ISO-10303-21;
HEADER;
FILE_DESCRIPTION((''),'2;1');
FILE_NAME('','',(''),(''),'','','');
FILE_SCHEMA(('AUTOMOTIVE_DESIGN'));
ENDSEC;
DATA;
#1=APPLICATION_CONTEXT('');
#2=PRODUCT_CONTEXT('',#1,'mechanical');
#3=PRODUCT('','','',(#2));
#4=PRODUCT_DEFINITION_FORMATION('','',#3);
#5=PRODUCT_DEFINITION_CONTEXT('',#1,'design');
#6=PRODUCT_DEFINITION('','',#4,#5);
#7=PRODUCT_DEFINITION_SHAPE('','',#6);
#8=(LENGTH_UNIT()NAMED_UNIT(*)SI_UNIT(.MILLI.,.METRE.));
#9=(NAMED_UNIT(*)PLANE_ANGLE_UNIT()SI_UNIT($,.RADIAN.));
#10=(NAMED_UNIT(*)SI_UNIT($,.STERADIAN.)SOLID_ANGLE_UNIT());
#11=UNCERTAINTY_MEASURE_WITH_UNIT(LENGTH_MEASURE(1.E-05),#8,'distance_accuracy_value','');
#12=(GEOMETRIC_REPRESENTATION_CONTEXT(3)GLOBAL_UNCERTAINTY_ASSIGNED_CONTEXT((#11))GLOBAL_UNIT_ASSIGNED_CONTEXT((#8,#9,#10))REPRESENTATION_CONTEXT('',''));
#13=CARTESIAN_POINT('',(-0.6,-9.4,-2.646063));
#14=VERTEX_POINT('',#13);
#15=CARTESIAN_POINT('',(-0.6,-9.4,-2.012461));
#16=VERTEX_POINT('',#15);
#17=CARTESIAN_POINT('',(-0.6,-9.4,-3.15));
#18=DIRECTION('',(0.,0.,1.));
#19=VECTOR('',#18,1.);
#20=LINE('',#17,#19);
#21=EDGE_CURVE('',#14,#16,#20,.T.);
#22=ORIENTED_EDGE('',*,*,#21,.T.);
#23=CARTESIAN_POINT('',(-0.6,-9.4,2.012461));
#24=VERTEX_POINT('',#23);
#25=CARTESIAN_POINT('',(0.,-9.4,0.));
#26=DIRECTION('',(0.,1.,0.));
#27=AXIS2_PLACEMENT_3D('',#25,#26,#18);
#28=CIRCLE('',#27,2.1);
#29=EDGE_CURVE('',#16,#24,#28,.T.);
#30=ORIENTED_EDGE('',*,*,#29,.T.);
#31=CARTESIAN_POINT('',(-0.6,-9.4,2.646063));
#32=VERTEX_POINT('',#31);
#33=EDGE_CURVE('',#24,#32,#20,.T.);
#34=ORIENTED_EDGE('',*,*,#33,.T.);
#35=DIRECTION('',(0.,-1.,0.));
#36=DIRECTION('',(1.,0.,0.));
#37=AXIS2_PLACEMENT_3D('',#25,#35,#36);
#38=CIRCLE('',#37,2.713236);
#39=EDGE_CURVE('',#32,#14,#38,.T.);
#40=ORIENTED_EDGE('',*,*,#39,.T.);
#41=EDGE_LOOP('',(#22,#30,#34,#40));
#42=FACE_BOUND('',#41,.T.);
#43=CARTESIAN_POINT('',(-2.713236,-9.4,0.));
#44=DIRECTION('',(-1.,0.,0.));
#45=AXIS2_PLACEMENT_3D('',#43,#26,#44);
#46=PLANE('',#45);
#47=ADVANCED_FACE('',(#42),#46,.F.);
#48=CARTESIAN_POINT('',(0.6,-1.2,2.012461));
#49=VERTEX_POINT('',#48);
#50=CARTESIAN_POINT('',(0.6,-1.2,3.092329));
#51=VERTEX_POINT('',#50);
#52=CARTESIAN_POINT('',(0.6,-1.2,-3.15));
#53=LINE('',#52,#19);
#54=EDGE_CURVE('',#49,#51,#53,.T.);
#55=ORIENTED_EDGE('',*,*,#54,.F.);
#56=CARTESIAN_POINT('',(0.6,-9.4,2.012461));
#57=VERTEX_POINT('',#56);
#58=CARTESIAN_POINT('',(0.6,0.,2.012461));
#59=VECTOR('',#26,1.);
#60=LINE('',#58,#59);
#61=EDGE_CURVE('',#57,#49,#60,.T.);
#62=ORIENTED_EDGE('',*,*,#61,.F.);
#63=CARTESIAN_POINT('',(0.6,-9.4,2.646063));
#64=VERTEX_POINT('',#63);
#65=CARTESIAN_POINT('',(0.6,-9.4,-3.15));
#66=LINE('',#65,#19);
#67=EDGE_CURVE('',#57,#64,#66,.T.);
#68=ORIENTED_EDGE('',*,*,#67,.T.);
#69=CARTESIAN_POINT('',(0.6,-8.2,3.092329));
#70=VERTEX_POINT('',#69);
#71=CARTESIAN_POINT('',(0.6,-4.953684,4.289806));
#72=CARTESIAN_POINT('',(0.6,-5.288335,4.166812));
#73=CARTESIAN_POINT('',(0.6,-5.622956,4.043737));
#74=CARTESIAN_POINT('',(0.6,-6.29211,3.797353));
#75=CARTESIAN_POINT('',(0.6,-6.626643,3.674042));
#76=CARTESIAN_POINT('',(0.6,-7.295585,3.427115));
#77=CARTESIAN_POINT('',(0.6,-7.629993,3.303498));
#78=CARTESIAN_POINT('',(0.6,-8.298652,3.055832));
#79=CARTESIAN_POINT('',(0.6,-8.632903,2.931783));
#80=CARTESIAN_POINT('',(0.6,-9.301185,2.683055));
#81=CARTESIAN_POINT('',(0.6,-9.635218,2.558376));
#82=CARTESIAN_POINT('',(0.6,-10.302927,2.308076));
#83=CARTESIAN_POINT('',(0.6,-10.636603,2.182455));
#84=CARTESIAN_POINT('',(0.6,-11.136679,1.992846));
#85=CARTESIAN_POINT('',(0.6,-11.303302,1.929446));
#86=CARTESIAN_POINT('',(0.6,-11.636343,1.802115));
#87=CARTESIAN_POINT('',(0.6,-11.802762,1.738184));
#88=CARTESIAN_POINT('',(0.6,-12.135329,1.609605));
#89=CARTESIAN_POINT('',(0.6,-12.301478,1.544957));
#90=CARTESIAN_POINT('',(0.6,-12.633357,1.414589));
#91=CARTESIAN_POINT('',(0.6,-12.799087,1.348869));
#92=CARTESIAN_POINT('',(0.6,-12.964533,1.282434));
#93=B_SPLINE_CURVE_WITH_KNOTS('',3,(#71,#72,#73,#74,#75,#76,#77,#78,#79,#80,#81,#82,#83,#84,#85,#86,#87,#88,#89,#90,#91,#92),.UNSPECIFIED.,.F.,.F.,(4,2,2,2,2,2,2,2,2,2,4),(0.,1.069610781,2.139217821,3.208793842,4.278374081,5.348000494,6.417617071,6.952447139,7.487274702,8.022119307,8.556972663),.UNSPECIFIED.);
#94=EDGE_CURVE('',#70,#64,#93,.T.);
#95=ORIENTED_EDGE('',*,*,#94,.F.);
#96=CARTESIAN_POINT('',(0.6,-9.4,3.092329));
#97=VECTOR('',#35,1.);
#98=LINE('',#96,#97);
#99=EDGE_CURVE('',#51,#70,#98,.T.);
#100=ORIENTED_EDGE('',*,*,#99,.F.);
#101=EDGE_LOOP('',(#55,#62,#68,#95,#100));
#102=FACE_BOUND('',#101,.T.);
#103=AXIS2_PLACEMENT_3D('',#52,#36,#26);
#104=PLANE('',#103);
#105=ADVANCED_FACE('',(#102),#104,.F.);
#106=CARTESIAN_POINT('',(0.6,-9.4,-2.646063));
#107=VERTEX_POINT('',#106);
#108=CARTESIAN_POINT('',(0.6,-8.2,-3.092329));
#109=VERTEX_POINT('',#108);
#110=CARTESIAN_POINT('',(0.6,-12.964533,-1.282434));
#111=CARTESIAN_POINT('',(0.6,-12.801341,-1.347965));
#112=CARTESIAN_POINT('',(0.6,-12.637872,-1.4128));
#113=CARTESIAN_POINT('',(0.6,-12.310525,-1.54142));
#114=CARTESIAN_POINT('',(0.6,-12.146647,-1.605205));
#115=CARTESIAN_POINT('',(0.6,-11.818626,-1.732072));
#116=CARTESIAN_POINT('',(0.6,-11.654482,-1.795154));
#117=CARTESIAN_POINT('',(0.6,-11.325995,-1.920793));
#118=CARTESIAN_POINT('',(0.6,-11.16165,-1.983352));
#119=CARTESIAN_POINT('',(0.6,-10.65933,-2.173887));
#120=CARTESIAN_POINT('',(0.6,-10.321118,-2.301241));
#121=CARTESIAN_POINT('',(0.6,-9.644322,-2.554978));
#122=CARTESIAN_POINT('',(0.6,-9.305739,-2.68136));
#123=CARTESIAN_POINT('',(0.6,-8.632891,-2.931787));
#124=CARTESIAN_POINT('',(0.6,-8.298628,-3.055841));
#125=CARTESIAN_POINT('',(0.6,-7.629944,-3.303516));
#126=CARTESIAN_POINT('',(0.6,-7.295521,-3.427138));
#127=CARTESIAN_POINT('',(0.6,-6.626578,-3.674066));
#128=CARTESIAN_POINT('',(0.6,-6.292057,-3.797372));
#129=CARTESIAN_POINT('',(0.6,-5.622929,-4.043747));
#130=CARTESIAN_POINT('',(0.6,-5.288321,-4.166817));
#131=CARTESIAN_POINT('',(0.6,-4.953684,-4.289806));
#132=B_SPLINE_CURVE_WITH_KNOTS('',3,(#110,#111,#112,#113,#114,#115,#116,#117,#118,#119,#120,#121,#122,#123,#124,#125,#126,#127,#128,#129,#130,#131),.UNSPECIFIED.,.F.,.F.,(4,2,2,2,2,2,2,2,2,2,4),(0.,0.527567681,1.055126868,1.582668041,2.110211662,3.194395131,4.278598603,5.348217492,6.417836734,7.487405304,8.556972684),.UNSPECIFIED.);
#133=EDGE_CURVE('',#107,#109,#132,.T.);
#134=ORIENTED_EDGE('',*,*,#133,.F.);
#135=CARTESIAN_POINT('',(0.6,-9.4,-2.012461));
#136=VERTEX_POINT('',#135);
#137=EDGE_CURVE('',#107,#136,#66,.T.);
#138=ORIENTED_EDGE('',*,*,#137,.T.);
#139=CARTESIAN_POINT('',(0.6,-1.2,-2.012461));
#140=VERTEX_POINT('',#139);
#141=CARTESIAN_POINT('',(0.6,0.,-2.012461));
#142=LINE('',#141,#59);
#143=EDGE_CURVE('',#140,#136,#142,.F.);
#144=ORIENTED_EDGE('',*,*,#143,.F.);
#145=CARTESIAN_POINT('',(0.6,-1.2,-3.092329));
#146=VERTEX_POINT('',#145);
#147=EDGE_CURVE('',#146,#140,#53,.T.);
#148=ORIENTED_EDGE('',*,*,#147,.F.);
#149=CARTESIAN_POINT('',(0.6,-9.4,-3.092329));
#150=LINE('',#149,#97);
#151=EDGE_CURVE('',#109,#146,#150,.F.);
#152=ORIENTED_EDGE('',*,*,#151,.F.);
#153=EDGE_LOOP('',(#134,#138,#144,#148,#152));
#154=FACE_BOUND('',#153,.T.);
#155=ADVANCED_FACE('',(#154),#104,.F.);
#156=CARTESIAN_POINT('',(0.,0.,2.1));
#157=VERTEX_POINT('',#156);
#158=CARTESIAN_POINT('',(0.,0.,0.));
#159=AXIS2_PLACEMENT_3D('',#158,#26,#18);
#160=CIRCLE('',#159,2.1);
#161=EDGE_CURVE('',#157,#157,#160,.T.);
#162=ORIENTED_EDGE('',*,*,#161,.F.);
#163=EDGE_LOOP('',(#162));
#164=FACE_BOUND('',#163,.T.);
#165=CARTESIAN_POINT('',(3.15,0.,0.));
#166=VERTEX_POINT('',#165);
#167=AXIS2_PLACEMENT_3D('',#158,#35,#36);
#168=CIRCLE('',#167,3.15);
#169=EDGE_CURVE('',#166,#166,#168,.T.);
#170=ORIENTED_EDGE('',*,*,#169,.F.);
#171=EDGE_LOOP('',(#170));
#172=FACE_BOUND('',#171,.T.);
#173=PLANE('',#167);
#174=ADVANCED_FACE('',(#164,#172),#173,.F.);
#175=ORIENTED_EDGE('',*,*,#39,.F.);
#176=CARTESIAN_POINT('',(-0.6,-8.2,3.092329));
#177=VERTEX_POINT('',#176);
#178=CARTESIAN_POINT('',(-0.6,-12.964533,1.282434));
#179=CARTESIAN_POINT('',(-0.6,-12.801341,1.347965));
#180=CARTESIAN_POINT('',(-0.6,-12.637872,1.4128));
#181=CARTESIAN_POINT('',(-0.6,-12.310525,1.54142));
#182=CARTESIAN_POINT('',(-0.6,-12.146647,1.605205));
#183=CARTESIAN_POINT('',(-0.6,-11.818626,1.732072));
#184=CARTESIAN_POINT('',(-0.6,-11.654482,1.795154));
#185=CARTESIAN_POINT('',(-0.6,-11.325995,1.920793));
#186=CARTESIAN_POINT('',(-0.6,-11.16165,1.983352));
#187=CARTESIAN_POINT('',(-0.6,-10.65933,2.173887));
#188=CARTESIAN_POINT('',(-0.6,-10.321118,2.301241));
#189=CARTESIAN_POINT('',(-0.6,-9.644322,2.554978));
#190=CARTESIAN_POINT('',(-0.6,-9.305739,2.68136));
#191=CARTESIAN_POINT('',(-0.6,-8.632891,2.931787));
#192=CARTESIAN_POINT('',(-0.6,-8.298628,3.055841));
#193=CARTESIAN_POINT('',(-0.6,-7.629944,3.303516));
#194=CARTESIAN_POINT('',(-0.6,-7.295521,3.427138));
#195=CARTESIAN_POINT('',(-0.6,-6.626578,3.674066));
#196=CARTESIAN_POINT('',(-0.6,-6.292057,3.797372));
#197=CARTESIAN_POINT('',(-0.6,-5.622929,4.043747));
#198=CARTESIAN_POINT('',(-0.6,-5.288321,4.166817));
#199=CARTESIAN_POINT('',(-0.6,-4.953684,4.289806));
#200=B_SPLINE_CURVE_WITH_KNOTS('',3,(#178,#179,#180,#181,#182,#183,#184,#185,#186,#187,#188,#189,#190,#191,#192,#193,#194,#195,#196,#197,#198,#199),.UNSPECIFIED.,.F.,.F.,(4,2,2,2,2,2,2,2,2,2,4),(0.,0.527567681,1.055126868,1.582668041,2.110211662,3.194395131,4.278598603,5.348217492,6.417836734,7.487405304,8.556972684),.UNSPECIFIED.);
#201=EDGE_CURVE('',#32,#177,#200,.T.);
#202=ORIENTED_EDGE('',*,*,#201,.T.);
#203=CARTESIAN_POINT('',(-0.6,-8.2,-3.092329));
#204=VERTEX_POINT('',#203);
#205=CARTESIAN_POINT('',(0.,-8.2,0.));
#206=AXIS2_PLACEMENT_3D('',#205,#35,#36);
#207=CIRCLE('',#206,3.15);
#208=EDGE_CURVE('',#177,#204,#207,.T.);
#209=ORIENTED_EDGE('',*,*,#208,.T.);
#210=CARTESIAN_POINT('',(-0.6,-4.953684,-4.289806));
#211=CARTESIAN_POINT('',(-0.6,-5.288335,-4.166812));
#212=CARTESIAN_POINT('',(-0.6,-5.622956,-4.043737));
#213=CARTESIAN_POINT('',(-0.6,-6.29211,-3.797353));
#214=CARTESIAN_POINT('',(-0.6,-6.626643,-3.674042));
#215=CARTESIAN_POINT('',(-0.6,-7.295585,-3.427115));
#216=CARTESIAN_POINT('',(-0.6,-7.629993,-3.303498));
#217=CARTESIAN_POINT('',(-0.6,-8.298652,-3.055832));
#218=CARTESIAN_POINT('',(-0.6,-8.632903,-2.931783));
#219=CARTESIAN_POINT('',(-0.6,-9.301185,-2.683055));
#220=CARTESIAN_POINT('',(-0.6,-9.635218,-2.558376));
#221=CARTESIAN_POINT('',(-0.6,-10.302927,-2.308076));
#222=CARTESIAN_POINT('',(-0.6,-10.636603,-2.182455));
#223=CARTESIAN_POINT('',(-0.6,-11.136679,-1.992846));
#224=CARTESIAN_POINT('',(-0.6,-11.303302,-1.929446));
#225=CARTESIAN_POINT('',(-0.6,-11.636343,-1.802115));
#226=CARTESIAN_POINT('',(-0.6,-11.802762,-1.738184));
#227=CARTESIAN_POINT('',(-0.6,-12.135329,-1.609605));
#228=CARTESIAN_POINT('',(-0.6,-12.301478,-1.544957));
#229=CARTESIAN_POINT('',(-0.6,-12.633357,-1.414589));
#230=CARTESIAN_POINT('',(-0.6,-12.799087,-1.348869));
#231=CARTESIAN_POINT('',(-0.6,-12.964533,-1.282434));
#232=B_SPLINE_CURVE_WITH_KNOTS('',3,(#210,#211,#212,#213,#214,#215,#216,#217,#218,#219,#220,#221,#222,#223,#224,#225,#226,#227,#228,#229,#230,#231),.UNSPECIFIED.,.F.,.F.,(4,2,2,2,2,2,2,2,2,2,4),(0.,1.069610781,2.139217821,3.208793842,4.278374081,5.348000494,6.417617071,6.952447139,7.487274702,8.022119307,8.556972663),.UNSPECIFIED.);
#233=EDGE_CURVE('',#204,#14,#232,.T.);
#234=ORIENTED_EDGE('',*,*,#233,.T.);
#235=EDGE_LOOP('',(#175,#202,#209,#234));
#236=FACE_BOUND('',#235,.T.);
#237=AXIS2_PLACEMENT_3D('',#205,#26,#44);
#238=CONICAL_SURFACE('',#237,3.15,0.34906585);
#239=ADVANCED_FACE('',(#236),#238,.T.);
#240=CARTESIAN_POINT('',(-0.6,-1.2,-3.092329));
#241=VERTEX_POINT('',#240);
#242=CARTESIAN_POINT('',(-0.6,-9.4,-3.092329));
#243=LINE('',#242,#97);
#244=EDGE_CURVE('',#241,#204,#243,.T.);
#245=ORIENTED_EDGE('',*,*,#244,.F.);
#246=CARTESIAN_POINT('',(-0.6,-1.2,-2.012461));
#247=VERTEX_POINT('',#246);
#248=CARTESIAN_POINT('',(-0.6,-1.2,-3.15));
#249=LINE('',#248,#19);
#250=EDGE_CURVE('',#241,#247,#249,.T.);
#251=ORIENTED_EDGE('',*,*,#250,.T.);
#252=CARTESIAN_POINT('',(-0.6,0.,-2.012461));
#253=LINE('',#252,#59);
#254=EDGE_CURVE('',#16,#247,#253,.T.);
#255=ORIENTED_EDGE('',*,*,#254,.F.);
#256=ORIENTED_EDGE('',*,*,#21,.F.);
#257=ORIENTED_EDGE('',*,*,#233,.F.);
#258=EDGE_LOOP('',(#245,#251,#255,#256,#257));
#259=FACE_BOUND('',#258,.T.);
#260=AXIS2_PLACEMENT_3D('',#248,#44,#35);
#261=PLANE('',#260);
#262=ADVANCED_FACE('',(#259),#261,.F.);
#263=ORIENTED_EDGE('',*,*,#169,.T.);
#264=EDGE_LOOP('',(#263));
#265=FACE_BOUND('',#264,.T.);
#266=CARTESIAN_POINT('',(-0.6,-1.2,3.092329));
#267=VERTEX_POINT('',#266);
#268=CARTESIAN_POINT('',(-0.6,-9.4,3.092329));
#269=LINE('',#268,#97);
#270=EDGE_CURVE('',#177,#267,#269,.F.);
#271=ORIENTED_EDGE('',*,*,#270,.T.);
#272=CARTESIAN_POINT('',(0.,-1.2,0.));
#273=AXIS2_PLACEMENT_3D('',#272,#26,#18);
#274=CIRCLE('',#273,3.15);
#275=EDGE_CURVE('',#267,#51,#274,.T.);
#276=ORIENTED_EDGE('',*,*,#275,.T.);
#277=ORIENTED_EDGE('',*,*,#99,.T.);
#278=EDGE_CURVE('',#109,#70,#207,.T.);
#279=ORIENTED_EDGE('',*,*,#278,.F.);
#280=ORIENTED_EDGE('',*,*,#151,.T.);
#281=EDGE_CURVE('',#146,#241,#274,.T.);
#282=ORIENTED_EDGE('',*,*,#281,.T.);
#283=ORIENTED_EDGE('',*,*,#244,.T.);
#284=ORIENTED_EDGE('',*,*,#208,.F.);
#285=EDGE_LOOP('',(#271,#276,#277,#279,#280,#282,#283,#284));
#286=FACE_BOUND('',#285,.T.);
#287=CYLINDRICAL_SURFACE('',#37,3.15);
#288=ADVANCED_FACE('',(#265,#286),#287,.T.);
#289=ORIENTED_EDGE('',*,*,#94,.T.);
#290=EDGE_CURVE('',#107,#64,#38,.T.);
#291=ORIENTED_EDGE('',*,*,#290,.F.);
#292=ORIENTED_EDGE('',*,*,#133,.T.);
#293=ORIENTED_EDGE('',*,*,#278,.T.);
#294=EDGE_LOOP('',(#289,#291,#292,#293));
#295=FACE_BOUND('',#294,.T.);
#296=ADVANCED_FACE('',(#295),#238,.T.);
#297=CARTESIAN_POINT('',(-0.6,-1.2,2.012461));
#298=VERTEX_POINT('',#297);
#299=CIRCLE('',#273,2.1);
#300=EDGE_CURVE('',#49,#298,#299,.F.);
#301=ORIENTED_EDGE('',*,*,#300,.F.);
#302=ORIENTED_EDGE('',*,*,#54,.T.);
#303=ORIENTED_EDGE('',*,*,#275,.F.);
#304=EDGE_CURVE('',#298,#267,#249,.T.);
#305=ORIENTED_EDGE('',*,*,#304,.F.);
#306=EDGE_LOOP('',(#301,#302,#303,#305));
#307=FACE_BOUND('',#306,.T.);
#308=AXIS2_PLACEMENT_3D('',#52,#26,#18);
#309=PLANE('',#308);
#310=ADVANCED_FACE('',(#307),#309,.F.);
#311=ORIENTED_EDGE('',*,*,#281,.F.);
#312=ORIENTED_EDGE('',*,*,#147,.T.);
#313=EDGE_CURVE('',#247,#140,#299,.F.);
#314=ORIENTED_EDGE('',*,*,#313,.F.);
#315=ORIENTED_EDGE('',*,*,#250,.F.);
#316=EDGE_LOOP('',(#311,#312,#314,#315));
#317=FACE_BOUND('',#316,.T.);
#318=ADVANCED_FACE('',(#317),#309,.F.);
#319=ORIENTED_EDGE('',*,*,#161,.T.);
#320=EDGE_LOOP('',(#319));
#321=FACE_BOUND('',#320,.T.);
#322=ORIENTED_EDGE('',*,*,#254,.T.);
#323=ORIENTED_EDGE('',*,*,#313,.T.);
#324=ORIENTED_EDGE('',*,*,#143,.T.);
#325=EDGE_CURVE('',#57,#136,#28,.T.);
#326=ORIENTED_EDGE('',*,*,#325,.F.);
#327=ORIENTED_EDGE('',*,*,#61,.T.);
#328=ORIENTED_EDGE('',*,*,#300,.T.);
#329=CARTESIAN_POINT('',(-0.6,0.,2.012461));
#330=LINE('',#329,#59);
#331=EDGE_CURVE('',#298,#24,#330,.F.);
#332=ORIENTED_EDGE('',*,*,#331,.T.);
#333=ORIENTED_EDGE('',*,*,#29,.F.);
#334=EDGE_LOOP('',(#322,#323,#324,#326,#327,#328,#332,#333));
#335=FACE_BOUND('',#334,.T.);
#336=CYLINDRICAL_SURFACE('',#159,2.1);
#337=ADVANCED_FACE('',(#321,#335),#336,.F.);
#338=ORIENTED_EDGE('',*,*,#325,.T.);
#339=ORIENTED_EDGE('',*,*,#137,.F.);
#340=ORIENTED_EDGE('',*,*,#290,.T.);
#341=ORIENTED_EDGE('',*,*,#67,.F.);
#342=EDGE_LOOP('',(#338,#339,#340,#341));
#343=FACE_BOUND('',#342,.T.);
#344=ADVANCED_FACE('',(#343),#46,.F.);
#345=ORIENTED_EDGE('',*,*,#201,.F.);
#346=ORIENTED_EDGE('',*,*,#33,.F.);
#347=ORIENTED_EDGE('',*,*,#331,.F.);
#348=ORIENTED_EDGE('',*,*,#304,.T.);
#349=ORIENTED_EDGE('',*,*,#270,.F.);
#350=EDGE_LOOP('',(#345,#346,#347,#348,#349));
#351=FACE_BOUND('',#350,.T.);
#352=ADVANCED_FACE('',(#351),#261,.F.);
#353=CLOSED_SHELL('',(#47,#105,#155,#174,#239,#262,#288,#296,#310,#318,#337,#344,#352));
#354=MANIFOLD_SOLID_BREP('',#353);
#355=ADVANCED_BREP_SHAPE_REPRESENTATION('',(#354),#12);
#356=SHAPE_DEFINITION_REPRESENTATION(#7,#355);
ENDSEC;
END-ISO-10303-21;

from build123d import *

# Parameters (mm, degrees)
M5_TAPPED_HOLE1_D       = 4.2
CUT_EXTRUDE1_DEPTH      = 11.402163237
CUT_EXTRUDE1_DEPTH_BACK = 11.402163237
SKETCH2_W               = 1.2
SKETCH2_H               = 8.2


with BuildPart() as part:
    # Sketch1 → Revolve1 (revolve)
    with BuildSketch(Plane.XY, mode=Mode.PRIVATE) as revolve1_sk:
        Polygon((0, -9.4), (0, 0), (-3.15, 0), (-3.15, -8.2), (-2.713235719, -9.4), align=None)
    revolve(revolve1_sk.sketch.rotate(Axis((0, -9.4, 0), (0, 1, 0)), 180), axis=Axis((0, -9.4, 0), (0, 1, 0)))

    # M5 Tapped Hole1 (through all)
    with Locations(Plane(origin=(0, 0, 0), x_dir=(1, 0, 0), z_dir=(0, 1, 0))):
        with Locations((0, 0)):
            Hole(M5_TAPPED_HOLE1_D / 2)

    # Sketch2 → Cut-Extrude1 (cut, two sides: drawn at the far end of the back side and taken through both)
    with BuildSketch(Plane.XY.offset(-CUT_EXTRUDE1_DEPTH_BACK)):
        with Locations((0, -5.3)):
            Rectangle(SKETCH2_W, SKETCH2_H)
    extrude(amount=CUT_EXTRUDE1_DEPTH + CUT_EXTRUDE1_DEPTH_BACK, mode=Mode.SUBTRACT)


solid = part.part
